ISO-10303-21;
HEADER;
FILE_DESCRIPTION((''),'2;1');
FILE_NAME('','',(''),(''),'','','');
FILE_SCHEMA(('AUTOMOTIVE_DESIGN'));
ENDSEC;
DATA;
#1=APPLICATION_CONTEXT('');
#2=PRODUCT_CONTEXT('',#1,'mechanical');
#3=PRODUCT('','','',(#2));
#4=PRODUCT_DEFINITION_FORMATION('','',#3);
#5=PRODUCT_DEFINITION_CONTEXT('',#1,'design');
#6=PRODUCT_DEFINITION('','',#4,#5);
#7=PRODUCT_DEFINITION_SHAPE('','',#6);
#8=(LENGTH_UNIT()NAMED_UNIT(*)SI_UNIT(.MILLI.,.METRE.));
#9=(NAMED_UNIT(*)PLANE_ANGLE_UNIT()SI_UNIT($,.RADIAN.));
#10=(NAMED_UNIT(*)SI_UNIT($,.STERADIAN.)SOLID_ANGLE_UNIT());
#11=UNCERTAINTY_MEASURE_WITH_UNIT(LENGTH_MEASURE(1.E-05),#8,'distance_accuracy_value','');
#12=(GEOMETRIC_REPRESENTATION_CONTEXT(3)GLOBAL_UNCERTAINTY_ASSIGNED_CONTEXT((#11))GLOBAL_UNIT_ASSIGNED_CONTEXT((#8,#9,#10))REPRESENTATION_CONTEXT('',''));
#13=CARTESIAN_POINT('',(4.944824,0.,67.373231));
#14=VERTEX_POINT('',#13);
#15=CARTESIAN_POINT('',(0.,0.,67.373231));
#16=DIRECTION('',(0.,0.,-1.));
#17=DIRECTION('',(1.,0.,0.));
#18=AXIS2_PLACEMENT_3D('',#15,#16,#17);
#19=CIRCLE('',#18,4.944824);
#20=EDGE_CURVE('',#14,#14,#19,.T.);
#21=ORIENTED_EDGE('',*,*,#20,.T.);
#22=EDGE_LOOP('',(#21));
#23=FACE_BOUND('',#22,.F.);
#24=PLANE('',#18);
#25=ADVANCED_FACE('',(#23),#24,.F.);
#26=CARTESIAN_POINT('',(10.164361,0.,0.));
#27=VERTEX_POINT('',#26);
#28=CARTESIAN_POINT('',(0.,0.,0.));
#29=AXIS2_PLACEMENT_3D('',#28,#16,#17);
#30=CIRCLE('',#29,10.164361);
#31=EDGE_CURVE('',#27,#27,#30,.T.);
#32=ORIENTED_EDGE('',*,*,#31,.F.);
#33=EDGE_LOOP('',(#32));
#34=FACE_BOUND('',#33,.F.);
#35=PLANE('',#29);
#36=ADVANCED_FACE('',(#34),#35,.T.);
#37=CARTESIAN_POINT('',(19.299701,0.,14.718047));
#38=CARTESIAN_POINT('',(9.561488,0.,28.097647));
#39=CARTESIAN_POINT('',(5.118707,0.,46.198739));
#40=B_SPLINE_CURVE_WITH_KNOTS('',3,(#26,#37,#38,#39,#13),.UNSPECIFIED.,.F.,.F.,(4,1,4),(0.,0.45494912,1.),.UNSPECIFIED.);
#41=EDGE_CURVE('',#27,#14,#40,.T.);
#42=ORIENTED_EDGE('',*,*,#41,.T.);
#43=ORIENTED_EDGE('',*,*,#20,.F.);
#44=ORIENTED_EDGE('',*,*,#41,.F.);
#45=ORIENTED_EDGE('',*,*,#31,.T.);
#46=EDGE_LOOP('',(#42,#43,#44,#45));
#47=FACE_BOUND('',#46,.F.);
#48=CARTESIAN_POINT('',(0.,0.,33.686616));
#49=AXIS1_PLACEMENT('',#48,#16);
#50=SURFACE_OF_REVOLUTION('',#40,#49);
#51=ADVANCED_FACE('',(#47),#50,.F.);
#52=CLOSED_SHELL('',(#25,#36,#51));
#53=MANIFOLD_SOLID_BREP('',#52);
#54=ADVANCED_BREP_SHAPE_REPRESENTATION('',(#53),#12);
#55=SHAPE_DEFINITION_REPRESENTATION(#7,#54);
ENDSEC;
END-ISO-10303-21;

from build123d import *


with BuildPart() as f1:
    # F0 (on Front) → F1 (revolve)
    with BuildSketch(Plane.XZ):
        with BuildLine():
            Line((0, 67.3732310534), (0, 0))
            Line((0, 0), (10.1643605158, 0))
            add(Edge.make_bspline(
                [(10.1643605158, 0), (19.2997008297, 14.7180465842), (9.561488402, 28.0976473715), (5.1187074037, 46.1987390439), (4.944824148, 67.3732310534)],
                knots=[0, 0, 0, 0, 0.4549491196, 1, 1, 1, 1], degree=3))
            Line((4.944824148, 67.3732310534), (0, 67.3732310534))
        make_face()
    revolve(axis=Axis((0, 0, 33.6866155267), (0, 0, -1)))


solid = f1.part
